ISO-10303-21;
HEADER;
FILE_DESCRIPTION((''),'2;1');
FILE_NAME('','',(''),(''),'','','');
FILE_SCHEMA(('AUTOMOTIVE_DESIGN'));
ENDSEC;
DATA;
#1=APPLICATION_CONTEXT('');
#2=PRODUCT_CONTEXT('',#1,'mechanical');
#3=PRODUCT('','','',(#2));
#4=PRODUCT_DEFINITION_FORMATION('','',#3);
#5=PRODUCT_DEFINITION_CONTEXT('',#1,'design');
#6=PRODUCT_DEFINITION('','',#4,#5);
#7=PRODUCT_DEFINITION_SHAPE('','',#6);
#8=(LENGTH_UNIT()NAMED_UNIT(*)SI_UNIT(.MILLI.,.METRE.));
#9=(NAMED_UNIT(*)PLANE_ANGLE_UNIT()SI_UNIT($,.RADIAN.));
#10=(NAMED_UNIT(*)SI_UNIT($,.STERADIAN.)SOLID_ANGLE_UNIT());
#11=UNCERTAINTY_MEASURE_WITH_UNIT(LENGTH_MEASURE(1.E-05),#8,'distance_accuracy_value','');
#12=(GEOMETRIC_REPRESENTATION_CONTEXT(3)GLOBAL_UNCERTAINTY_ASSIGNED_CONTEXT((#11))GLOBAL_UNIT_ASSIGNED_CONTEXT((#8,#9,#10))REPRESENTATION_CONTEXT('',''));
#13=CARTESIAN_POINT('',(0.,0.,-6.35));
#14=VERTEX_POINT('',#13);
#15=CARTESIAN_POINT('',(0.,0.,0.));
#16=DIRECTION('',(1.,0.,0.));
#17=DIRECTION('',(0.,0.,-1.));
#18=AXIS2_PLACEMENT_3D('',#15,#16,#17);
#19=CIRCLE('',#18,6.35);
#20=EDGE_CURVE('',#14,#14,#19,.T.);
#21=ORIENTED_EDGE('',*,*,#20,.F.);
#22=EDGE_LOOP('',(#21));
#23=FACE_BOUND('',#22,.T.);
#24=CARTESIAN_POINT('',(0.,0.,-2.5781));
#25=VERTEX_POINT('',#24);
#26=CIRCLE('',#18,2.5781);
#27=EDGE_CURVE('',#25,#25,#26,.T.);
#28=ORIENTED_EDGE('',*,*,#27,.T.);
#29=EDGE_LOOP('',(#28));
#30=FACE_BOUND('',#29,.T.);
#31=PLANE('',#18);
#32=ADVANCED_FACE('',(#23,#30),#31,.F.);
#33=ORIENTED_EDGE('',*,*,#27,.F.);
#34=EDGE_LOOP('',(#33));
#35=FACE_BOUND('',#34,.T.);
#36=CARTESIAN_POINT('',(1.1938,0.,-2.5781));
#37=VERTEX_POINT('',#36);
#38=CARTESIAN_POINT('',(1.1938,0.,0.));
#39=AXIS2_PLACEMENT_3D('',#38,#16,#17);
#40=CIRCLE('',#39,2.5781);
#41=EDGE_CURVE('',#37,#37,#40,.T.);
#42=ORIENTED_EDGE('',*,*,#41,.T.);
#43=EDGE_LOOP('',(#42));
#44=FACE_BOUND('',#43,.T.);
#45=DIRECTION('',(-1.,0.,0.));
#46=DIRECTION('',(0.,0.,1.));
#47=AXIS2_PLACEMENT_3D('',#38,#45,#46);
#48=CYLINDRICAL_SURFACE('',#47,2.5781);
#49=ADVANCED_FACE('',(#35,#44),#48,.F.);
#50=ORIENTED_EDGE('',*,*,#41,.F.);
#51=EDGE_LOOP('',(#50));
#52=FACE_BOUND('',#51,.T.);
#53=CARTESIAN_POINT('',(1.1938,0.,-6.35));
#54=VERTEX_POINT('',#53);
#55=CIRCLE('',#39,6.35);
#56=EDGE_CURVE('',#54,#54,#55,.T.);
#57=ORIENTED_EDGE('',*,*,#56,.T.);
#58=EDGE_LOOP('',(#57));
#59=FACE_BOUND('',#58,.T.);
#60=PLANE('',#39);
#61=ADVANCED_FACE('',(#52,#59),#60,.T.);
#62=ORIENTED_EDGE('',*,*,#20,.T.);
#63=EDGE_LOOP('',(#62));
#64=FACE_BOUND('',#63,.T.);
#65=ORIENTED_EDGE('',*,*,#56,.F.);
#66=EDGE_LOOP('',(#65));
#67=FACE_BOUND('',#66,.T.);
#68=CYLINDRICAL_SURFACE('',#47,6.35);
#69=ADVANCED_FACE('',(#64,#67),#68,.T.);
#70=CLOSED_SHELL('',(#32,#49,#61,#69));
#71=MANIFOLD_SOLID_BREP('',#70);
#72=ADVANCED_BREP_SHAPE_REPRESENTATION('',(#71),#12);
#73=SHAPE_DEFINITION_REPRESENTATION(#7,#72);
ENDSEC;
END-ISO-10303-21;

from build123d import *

# Parameters (mm, degrees)
SKETCH1_R           = 6.35
SKETCH1_R_2         = 2.5781
BOSS_EXTRUDE1_DEPTH = 1.1938


with BuildPart() as part:
    # Sketch1 → Boss-Extrude1 (new body)
    with BuildSketch(Plane(origin=(0, 0, 0), x_dir=(0, 0, -1), z_dir=(1, 0, 0))):
        Circle(SKETCH1_R)
        Circle(SKETCH1_R_2, mode=Mode.SUBTRACT)
    extrude(amount=BOSS_EXTRUDE1_DEPTH)


solid = part.part
